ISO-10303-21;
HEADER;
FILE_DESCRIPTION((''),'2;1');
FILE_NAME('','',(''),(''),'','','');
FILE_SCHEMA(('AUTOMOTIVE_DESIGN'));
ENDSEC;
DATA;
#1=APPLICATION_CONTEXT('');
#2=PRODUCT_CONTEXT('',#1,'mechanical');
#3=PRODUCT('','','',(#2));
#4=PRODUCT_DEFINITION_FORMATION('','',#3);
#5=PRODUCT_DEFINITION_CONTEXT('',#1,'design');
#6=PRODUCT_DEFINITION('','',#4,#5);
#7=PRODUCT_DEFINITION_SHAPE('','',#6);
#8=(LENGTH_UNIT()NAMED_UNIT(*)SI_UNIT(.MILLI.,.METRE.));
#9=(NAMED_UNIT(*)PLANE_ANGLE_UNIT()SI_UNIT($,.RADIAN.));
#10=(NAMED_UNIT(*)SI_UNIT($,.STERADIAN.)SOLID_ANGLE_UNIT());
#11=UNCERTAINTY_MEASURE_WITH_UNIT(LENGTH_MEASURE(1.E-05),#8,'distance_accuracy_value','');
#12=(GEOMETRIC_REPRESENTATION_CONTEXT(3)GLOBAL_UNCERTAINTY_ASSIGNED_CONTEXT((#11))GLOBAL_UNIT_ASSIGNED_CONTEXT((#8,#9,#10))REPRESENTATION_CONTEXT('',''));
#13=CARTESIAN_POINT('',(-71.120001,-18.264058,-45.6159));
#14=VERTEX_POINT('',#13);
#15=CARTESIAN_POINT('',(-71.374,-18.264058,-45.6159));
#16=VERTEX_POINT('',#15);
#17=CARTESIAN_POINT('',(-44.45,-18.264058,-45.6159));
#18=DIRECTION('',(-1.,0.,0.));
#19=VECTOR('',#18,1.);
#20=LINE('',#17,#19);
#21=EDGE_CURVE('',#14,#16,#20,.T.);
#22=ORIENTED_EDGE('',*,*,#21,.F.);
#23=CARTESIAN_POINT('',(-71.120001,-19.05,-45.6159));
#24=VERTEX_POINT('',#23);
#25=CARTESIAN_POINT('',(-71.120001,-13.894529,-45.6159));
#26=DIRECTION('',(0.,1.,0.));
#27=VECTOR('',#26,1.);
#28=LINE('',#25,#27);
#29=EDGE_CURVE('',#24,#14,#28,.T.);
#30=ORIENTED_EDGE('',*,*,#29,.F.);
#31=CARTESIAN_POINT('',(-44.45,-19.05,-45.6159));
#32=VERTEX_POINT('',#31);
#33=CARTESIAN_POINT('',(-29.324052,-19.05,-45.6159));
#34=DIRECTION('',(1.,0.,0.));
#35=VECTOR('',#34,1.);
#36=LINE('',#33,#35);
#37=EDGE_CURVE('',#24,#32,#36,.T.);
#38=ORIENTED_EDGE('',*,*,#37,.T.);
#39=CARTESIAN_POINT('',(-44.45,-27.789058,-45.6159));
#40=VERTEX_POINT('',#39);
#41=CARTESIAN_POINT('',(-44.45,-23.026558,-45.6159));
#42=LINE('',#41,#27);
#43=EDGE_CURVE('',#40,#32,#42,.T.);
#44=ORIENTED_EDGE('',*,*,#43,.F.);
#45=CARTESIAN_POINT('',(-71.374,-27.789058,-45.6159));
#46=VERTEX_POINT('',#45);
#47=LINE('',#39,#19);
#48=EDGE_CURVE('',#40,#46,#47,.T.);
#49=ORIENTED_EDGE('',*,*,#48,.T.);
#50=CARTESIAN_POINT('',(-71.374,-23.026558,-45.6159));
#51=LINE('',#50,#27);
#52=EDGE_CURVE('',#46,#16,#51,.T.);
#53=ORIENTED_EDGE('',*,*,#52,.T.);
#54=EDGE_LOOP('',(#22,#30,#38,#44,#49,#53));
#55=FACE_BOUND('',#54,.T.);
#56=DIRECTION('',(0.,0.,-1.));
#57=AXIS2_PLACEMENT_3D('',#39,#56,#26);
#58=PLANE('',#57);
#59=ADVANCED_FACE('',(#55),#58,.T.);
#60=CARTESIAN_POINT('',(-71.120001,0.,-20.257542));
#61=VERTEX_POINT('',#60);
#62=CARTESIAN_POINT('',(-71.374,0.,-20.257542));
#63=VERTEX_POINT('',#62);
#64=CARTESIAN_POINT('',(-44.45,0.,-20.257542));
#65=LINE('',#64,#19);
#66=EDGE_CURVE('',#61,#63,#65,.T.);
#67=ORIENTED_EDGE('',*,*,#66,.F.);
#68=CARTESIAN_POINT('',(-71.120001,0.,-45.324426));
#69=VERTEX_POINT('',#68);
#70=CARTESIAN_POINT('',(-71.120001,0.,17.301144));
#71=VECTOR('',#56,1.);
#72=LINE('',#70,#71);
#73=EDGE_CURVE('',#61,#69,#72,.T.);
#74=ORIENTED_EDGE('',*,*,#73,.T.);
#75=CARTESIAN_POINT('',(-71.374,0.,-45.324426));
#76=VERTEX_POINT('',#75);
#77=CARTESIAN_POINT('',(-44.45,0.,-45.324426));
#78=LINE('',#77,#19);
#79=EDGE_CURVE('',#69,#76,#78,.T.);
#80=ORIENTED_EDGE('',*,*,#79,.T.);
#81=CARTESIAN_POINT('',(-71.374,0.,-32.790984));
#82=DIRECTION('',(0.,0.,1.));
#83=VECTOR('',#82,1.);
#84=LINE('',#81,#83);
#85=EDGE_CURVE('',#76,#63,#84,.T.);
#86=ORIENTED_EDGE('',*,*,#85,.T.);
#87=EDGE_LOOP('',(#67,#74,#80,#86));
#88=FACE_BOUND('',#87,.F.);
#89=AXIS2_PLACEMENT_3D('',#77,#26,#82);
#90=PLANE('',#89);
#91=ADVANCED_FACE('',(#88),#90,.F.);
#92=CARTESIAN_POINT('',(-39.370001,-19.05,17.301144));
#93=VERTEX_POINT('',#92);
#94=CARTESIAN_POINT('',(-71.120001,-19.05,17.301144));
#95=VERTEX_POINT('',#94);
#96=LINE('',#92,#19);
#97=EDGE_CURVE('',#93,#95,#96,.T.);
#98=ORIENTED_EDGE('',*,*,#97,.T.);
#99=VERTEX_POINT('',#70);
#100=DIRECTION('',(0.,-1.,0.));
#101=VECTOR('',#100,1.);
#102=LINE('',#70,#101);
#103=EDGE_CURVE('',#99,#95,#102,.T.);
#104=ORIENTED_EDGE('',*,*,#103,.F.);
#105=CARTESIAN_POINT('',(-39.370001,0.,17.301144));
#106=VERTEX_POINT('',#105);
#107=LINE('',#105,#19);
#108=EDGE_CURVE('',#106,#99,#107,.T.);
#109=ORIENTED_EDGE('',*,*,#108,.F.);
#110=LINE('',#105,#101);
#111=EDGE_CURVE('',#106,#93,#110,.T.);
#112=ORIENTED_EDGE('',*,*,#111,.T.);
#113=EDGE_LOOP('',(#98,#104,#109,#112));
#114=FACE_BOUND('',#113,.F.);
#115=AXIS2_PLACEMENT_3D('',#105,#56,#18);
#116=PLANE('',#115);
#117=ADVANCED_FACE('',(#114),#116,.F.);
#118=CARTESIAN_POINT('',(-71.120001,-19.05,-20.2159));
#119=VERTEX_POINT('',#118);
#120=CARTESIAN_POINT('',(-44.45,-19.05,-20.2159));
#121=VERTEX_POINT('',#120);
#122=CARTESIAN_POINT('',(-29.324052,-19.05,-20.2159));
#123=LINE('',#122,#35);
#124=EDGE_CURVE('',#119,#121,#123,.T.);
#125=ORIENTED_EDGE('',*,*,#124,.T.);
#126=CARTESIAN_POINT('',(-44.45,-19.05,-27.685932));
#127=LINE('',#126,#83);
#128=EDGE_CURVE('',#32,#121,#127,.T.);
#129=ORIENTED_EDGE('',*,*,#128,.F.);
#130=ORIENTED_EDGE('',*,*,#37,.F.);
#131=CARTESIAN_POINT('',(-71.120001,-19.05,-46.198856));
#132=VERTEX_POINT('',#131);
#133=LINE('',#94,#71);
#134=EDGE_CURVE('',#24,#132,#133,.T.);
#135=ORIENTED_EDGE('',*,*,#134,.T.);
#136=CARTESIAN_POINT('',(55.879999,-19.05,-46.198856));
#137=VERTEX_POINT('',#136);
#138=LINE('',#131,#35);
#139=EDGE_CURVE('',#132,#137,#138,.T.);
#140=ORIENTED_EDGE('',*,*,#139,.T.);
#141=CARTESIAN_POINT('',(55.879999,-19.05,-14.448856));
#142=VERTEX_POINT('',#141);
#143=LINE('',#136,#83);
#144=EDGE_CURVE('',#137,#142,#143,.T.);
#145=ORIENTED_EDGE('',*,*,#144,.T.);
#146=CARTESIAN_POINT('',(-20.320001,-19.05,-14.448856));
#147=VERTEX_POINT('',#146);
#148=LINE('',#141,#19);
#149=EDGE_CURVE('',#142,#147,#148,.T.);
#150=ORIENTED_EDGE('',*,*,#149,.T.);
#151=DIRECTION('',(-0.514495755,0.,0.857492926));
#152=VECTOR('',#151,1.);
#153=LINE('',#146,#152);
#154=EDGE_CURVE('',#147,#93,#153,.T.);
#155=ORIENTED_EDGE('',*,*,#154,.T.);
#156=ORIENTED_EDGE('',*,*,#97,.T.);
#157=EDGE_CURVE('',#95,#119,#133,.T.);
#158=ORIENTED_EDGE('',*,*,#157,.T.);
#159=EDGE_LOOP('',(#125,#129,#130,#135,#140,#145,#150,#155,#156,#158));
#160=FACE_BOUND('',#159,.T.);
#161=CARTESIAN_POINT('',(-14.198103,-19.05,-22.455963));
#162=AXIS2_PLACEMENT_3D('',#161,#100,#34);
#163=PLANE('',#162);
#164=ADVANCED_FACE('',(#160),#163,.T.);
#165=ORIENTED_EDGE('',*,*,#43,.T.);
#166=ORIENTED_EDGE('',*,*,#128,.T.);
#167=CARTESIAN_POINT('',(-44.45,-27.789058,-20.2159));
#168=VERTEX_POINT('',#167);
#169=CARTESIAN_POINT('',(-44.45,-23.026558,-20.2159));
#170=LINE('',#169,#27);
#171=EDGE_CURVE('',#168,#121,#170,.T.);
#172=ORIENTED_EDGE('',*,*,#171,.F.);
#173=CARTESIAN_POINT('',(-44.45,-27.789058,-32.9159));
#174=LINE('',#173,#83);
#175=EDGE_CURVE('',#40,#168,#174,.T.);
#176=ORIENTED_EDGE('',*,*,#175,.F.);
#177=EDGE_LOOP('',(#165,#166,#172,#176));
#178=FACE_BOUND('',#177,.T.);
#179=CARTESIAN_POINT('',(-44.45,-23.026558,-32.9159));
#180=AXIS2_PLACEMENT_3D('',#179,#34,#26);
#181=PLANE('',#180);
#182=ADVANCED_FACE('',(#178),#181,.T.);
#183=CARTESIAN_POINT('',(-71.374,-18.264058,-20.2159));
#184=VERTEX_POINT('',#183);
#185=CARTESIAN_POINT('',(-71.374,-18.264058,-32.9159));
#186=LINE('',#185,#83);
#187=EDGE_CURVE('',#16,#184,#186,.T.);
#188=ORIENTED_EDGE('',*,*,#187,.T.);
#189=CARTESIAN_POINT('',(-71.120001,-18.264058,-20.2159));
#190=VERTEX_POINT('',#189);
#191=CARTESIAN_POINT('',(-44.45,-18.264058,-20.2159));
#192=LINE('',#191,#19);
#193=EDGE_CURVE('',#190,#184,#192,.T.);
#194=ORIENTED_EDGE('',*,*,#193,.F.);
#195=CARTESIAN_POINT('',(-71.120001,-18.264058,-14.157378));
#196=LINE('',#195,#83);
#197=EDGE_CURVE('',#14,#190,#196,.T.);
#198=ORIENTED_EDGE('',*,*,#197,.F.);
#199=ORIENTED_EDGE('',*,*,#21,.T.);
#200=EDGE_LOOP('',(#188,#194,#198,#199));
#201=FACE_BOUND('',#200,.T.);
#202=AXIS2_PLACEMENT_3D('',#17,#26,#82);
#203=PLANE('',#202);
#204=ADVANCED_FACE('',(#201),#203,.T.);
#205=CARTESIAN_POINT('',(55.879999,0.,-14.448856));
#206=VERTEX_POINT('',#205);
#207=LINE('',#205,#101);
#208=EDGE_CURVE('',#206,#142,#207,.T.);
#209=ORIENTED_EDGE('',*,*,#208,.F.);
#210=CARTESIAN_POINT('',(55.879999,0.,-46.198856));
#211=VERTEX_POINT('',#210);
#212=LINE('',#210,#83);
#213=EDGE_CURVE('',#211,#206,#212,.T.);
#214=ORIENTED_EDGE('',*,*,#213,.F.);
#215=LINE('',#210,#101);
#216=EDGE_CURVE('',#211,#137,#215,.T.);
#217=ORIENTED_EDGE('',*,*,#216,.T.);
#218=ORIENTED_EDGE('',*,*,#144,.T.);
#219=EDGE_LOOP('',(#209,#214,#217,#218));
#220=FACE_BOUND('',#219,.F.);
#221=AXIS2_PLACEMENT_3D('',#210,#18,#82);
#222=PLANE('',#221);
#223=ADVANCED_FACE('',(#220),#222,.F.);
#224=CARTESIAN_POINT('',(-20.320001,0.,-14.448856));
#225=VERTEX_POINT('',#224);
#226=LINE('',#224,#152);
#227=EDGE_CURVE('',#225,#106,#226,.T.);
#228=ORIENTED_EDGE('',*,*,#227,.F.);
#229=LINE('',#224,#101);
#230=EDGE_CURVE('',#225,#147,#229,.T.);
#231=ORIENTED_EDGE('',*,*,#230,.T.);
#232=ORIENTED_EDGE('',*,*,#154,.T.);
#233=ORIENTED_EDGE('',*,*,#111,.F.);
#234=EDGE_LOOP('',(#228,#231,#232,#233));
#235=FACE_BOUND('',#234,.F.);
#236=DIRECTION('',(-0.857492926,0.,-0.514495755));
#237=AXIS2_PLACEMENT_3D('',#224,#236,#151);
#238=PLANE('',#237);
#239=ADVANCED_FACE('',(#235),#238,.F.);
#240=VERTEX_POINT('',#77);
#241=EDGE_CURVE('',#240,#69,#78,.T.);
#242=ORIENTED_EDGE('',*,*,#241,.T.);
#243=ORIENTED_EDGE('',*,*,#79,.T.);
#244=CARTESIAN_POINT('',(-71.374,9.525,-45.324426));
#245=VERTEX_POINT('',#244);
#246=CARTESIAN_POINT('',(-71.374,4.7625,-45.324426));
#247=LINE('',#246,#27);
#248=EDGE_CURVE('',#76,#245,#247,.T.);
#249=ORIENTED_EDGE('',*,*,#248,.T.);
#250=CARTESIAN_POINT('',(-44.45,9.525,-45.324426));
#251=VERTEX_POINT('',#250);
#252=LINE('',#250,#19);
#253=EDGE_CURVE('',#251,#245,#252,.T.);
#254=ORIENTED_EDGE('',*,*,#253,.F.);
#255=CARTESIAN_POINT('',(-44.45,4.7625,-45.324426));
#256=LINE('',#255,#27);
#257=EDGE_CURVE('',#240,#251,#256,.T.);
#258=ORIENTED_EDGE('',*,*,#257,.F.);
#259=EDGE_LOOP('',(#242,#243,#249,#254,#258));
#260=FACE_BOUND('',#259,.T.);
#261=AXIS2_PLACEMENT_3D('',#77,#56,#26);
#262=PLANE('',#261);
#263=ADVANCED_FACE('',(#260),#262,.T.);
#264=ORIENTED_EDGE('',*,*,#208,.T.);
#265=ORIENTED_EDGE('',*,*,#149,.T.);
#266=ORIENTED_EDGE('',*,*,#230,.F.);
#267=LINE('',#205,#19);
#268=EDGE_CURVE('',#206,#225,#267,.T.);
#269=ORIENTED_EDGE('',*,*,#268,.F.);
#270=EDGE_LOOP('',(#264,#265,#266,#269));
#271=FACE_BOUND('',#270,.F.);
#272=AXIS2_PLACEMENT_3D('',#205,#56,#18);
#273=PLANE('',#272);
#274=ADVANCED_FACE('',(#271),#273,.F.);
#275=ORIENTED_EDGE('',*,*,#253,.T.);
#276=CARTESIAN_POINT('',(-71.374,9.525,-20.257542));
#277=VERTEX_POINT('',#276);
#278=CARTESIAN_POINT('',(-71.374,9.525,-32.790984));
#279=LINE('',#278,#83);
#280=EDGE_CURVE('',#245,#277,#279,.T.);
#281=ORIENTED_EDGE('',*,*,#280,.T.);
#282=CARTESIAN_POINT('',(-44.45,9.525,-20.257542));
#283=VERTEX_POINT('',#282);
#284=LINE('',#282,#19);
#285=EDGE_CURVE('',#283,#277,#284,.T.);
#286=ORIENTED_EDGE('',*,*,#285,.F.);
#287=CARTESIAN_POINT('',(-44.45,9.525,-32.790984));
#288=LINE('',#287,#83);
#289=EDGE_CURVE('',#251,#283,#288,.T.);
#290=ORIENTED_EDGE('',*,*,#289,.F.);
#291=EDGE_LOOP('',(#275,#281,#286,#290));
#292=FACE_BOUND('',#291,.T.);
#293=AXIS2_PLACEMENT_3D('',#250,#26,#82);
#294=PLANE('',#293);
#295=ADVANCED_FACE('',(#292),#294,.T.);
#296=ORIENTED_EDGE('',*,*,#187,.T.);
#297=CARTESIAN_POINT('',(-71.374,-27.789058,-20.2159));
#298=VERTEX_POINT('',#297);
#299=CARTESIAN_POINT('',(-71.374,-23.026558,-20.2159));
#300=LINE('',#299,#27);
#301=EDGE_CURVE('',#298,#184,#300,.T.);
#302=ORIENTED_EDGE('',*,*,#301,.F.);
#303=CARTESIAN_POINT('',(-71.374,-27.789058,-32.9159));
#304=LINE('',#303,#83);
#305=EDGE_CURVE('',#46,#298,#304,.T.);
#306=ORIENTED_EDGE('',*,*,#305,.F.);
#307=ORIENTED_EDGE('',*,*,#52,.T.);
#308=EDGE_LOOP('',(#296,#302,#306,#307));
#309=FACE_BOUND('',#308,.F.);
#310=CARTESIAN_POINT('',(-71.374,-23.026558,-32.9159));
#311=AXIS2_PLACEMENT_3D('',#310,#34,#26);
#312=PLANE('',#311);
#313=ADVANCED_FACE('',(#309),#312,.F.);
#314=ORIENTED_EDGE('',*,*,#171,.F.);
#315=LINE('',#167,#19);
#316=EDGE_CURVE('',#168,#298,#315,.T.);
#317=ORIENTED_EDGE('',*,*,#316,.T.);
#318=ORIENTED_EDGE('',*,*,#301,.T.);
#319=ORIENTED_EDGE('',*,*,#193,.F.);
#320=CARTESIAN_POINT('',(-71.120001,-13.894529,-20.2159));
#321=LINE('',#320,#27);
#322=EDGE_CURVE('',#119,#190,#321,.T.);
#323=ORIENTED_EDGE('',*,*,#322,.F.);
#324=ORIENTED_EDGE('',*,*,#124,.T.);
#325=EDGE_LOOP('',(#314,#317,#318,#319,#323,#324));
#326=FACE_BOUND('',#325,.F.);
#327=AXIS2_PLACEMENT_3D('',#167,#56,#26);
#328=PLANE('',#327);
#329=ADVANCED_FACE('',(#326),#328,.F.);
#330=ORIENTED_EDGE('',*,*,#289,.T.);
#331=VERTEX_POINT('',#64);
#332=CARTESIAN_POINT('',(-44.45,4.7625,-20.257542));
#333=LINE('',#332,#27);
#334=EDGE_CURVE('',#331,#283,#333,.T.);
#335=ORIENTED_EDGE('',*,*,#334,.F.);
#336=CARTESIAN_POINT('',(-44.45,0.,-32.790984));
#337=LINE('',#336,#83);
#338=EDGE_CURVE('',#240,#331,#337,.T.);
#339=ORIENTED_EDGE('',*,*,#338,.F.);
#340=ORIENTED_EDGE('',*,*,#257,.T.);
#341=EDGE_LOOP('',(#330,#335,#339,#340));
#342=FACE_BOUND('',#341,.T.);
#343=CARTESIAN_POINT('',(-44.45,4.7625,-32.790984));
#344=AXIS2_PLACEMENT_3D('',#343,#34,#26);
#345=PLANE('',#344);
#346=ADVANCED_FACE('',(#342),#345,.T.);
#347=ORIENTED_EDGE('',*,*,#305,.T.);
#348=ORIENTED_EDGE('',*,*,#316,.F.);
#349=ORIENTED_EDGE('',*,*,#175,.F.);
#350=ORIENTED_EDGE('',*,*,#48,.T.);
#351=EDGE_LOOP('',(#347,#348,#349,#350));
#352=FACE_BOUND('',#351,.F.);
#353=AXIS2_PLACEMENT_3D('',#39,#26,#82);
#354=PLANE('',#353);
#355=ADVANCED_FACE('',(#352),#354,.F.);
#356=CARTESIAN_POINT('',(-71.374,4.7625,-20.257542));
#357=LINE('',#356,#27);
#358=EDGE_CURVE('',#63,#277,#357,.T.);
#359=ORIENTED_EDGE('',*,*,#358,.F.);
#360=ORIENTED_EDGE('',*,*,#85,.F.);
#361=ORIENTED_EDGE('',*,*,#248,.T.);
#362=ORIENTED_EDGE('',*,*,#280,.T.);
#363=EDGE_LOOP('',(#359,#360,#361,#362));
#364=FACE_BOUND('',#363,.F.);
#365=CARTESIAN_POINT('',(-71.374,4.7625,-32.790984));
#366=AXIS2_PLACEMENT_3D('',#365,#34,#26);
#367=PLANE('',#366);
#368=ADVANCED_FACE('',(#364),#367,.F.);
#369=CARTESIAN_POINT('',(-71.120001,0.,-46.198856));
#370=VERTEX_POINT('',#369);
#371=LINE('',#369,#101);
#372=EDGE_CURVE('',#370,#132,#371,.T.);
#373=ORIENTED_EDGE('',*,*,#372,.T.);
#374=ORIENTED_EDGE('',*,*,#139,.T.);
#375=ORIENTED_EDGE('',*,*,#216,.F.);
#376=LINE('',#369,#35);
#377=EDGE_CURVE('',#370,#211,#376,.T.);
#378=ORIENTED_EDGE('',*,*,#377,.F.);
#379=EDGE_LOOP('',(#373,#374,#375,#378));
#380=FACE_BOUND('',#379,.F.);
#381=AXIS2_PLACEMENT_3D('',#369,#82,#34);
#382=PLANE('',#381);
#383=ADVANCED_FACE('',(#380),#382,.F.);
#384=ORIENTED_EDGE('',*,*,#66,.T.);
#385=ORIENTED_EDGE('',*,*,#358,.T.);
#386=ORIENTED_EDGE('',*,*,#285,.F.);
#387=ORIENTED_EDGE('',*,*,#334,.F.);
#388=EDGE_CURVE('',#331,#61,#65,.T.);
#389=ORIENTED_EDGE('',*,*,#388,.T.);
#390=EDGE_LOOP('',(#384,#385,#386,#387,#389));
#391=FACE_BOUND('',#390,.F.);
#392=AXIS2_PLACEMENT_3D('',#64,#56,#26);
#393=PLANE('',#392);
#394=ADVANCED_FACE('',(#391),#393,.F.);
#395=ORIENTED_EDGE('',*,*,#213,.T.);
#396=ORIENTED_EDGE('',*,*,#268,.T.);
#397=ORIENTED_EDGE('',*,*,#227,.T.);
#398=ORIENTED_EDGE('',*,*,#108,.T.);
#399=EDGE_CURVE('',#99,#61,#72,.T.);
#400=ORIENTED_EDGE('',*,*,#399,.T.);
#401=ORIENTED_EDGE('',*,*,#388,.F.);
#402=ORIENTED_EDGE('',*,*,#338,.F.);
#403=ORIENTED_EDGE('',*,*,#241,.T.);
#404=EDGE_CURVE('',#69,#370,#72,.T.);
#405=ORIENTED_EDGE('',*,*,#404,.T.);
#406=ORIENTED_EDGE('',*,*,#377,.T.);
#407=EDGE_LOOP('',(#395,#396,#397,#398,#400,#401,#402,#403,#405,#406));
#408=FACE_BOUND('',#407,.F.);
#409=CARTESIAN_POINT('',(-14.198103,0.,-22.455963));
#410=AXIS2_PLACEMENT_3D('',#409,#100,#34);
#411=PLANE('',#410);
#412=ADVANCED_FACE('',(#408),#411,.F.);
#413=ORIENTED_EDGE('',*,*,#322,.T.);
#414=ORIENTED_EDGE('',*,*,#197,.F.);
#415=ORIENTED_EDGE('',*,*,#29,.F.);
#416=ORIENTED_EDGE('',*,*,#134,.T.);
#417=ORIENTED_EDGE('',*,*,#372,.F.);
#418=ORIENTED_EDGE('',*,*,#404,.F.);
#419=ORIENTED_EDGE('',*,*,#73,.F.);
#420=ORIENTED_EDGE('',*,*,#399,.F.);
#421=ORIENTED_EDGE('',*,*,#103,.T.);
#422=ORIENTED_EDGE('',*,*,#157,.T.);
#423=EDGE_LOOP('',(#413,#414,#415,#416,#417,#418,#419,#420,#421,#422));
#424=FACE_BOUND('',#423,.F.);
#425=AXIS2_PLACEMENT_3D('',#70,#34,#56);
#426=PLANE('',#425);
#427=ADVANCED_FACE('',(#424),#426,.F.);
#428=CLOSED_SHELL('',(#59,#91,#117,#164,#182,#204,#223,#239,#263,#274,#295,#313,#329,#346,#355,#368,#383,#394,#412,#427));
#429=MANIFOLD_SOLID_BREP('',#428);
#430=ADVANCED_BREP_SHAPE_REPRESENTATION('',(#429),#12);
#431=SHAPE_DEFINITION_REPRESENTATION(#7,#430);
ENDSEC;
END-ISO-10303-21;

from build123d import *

# Parameters (mm, degrees)
F1_DEPTH = 19.05
F3_START = -44.45
F2_W     = 9.525
F2_H     = 25.4
F2_H_2   = 25.0668842345
F3_DEPTH = 26.924


with BuildPart() as f1:
    # F0 (on Front) → F1 (new body)
    with BuildSketch(Plane.XZ):
        Polygon((-71.1200013757, 17.3011439145), (-71.1200013757, -46.1988560855), (55.8799986243, -46.1988560855), (55.8799986243, -14.4488560855), (-20.3200013757, -14.4488560855), (-39.3700013757, 17.3011439145), align=None)
    extrude(amount=F1_DEPTH)

    # F2 (on Right) → F3 (join)
    with BuildSketch(Plane.YZ.offset(F3_START)):
        with Locations((-23.0265576392, -32.9159003079)):
            Rectangle(F2_W, F2_H)
        with Locations((4.7625, -32.7909840271)):
            Rectangle(F2_W, F2_H_2)
    extrude(amount=-F3_DEPTH)


solid = f1.part
